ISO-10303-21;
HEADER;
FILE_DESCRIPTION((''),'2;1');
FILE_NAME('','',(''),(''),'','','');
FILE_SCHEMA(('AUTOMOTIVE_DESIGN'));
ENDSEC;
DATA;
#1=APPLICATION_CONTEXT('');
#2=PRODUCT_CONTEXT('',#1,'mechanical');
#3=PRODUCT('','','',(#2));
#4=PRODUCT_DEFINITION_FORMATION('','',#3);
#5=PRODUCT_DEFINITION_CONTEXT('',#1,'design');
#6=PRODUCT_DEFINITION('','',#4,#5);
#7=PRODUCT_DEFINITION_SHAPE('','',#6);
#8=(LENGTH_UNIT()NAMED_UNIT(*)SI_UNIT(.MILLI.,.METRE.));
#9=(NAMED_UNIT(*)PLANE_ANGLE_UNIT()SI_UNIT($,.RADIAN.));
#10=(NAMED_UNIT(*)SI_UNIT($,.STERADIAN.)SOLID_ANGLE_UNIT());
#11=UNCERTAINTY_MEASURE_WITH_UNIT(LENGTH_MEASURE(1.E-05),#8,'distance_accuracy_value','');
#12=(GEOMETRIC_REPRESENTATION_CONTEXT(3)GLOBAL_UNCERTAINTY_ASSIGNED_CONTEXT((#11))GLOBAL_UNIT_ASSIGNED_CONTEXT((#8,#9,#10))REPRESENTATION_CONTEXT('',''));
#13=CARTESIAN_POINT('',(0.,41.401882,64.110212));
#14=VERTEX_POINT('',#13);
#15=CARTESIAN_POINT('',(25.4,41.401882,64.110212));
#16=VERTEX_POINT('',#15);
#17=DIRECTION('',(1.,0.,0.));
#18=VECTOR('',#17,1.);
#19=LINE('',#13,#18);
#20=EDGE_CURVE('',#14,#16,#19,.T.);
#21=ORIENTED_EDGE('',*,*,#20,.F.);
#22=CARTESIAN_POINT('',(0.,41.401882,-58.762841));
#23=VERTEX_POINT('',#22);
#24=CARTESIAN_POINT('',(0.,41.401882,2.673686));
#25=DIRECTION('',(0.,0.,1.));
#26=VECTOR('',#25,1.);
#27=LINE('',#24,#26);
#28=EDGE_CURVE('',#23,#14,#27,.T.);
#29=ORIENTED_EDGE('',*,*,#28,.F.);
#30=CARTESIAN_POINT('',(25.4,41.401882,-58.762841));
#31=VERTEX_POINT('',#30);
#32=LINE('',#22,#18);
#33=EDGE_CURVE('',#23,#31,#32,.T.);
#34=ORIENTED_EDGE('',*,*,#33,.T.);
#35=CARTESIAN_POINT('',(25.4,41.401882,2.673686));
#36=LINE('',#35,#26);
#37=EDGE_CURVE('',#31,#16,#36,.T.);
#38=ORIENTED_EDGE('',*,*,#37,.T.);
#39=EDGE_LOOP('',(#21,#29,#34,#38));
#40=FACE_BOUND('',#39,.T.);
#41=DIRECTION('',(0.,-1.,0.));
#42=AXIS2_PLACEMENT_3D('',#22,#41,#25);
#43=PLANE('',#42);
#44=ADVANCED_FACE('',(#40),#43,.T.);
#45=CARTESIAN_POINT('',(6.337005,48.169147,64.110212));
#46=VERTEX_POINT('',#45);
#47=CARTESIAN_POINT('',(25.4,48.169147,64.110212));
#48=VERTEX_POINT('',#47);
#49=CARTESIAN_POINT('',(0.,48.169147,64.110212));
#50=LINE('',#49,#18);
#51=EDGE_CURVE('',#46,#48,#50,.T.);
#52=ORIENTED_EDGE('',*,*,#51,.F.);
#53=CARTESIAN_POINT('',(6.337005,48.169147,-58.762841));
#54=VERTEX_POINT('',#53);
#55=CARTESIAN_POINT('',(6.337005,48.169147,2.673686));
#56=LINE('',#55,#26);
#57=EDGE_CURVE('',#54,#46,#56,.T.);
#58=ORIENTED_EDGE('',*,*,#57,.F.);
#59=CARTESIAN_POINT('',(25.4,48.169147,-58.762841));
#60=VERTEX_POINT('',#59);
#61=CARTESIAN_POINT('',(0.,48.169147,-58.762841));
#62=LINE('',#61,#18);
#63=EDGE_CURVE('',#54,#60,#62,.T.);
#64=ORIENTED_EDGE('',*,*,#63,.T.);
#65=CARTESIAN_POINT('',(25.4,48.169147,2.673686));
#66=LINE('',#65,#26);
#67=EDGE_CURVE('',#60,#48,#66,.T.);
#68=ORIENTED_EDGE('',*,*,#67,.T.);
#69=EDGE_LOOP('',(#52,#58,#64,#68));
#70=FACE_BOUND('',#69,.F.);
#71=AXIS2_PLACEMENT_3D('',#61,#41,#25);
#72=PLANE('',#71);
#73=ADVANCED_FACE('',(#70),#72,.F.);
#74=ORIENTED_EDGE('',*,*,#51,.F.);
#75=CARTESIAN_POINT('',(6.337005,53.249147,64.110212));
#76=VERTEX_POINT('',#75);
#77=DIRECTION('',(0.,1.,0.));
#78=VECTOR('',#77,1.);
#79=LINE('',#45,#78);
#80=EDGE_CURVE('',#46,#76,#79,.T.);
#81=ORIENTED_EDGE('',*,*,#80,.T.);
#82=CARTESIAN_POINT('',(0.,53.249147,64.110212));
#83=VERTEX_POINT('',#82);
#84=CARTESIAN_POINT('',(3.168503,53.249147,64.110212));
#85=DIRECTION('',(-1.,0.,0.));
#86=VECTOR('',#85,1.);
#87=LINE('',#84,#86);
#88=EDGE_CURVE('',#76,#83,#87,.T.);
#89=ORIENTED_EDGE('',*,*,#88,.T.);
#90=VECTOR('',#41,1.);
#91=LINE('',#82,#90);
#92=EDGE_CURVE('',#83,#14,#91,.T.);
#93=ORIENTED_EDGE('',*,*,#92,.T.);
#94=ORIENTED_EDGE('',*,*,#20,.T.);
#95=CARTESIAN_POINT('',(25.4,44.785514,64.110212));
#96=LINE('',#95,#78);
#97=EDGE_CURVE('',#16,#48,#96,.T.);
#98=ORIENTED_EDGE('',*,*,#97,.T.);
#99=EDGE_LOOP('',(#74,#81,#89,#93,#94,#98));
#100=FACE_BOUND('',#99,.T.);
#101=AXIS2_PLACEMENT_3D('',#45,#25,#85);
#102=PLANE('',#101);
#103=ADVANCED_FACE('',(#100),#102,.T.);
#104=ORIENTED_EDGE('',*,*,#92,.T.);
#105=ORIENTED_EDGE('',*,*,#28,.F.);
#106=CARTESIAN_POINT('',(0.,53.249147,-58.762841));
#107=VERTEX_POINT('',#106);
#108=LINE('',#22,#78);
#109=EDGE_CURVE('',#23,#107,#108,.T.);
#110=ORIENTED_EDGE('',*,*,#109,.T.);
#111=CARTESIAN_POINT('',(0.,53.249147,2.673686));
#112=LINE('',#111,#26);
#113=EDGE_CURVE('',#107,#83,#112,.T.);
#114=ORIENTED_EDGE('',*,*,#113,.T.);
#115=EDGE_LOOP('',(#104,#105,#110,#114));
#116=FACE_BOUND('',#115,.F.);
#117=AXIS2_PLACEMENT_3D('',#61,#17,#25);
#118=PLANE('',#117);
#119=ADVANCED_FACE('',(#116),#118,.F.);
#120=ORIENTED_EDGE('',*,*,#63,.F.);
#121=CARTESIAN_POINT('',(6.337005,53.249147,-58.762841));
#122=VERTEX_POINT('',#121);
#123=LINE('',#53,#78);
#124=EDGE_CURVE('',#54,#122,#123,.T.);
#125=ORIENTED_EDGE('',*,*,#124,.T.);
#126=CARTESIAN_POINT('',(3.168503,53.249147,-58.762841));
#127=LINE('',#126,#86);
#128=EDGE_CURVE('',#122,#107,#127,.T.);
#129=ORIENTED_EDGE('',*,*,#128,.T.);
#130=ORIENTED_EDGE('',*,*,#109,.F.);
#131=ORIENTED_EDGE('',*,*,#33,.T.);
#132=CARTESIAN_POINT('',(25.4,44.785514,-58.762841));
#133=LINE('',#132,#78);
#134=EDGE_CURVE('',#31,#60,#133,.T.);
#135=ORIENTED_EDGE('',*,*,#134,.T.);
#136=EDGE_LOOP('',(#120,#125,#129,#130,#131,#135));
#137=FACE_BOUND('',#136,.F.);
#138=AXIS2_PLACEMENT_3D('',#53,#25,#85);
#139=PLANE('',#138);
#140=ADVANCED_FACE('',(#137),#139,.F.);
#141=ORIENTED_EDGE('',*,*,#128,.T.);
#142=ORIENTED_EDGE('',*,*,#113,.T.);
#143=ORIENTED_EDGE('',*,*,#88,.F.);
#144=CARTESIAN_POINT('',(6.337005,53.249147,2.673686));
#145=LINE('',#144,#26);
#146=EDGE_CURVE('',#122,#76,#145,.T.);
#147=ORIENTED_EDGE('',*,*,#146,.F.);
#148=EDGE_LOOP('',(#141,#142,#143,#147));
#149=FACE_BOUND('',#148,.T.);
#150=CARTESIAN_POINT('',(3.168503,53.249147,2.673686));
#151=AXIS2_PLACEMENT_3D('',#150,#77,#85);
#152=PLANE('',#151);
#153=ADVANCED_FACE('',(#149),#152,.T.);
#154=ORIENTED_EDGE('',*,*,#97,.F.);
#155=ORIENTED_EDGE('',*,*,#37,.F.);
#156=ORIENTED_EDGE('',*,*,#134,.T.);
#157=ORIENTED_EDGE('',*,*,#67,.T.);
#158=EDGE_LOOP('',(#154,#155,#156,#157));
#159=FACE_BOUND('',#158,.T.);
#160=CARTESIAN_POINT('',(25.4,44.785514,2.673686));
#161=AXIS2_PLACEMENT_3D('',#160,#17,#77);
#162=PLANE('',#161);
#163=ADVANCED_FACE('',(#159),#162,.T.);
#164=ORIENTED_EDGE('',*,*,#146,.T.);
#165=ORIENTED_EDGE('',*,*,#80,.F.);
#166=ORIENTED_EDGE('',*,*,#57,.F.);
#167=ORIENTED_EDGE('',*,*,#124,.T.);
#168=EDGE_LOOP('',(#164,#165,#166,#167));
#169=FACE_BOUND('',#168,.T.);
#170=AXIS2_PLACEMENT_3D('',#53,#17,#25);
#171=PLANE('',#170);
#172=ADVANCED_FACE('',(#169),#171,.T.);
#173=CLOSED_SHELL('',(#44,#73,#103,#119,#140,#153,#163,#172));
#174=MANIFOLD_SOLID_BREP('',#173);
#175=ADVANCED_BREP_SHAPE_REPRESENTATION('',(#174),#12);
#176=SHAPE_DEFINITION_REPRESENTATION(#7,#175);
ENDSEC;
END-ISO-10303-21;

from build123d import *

# Parameters (mm, degrees)
F0_W     = 6.7672654986
F0_H     = 122.8730529547
F1_DEPTH = 25.4
F2_W     = 6.3370051794
F2_H     = 122.8730529547
F3_DEPTH = 5.08


with BuildPart() as f1:
    # F0 (on Right) → F1 (new body)
    with BuildSketch(Plane.YZ):
        with Locations((44.7855144739, 2.6736855507)):
            Rectangle(F0_W, F0_H)
    extrude(amount=F1_DEPTH)

    # F2 (on face) → F3 (join)
    with BuildSketch(Plane(origin=(0, 48.1691472232, 0), x_dir=(-1, 0, 0), z_dir=(0, 1, 0))):
        with Locations((-3.1685025897, 2.6736855507)):
            Rectangle(F2_W, F2_H)
    extrude(amount=F3_DEPTH)


solid = f1.part
